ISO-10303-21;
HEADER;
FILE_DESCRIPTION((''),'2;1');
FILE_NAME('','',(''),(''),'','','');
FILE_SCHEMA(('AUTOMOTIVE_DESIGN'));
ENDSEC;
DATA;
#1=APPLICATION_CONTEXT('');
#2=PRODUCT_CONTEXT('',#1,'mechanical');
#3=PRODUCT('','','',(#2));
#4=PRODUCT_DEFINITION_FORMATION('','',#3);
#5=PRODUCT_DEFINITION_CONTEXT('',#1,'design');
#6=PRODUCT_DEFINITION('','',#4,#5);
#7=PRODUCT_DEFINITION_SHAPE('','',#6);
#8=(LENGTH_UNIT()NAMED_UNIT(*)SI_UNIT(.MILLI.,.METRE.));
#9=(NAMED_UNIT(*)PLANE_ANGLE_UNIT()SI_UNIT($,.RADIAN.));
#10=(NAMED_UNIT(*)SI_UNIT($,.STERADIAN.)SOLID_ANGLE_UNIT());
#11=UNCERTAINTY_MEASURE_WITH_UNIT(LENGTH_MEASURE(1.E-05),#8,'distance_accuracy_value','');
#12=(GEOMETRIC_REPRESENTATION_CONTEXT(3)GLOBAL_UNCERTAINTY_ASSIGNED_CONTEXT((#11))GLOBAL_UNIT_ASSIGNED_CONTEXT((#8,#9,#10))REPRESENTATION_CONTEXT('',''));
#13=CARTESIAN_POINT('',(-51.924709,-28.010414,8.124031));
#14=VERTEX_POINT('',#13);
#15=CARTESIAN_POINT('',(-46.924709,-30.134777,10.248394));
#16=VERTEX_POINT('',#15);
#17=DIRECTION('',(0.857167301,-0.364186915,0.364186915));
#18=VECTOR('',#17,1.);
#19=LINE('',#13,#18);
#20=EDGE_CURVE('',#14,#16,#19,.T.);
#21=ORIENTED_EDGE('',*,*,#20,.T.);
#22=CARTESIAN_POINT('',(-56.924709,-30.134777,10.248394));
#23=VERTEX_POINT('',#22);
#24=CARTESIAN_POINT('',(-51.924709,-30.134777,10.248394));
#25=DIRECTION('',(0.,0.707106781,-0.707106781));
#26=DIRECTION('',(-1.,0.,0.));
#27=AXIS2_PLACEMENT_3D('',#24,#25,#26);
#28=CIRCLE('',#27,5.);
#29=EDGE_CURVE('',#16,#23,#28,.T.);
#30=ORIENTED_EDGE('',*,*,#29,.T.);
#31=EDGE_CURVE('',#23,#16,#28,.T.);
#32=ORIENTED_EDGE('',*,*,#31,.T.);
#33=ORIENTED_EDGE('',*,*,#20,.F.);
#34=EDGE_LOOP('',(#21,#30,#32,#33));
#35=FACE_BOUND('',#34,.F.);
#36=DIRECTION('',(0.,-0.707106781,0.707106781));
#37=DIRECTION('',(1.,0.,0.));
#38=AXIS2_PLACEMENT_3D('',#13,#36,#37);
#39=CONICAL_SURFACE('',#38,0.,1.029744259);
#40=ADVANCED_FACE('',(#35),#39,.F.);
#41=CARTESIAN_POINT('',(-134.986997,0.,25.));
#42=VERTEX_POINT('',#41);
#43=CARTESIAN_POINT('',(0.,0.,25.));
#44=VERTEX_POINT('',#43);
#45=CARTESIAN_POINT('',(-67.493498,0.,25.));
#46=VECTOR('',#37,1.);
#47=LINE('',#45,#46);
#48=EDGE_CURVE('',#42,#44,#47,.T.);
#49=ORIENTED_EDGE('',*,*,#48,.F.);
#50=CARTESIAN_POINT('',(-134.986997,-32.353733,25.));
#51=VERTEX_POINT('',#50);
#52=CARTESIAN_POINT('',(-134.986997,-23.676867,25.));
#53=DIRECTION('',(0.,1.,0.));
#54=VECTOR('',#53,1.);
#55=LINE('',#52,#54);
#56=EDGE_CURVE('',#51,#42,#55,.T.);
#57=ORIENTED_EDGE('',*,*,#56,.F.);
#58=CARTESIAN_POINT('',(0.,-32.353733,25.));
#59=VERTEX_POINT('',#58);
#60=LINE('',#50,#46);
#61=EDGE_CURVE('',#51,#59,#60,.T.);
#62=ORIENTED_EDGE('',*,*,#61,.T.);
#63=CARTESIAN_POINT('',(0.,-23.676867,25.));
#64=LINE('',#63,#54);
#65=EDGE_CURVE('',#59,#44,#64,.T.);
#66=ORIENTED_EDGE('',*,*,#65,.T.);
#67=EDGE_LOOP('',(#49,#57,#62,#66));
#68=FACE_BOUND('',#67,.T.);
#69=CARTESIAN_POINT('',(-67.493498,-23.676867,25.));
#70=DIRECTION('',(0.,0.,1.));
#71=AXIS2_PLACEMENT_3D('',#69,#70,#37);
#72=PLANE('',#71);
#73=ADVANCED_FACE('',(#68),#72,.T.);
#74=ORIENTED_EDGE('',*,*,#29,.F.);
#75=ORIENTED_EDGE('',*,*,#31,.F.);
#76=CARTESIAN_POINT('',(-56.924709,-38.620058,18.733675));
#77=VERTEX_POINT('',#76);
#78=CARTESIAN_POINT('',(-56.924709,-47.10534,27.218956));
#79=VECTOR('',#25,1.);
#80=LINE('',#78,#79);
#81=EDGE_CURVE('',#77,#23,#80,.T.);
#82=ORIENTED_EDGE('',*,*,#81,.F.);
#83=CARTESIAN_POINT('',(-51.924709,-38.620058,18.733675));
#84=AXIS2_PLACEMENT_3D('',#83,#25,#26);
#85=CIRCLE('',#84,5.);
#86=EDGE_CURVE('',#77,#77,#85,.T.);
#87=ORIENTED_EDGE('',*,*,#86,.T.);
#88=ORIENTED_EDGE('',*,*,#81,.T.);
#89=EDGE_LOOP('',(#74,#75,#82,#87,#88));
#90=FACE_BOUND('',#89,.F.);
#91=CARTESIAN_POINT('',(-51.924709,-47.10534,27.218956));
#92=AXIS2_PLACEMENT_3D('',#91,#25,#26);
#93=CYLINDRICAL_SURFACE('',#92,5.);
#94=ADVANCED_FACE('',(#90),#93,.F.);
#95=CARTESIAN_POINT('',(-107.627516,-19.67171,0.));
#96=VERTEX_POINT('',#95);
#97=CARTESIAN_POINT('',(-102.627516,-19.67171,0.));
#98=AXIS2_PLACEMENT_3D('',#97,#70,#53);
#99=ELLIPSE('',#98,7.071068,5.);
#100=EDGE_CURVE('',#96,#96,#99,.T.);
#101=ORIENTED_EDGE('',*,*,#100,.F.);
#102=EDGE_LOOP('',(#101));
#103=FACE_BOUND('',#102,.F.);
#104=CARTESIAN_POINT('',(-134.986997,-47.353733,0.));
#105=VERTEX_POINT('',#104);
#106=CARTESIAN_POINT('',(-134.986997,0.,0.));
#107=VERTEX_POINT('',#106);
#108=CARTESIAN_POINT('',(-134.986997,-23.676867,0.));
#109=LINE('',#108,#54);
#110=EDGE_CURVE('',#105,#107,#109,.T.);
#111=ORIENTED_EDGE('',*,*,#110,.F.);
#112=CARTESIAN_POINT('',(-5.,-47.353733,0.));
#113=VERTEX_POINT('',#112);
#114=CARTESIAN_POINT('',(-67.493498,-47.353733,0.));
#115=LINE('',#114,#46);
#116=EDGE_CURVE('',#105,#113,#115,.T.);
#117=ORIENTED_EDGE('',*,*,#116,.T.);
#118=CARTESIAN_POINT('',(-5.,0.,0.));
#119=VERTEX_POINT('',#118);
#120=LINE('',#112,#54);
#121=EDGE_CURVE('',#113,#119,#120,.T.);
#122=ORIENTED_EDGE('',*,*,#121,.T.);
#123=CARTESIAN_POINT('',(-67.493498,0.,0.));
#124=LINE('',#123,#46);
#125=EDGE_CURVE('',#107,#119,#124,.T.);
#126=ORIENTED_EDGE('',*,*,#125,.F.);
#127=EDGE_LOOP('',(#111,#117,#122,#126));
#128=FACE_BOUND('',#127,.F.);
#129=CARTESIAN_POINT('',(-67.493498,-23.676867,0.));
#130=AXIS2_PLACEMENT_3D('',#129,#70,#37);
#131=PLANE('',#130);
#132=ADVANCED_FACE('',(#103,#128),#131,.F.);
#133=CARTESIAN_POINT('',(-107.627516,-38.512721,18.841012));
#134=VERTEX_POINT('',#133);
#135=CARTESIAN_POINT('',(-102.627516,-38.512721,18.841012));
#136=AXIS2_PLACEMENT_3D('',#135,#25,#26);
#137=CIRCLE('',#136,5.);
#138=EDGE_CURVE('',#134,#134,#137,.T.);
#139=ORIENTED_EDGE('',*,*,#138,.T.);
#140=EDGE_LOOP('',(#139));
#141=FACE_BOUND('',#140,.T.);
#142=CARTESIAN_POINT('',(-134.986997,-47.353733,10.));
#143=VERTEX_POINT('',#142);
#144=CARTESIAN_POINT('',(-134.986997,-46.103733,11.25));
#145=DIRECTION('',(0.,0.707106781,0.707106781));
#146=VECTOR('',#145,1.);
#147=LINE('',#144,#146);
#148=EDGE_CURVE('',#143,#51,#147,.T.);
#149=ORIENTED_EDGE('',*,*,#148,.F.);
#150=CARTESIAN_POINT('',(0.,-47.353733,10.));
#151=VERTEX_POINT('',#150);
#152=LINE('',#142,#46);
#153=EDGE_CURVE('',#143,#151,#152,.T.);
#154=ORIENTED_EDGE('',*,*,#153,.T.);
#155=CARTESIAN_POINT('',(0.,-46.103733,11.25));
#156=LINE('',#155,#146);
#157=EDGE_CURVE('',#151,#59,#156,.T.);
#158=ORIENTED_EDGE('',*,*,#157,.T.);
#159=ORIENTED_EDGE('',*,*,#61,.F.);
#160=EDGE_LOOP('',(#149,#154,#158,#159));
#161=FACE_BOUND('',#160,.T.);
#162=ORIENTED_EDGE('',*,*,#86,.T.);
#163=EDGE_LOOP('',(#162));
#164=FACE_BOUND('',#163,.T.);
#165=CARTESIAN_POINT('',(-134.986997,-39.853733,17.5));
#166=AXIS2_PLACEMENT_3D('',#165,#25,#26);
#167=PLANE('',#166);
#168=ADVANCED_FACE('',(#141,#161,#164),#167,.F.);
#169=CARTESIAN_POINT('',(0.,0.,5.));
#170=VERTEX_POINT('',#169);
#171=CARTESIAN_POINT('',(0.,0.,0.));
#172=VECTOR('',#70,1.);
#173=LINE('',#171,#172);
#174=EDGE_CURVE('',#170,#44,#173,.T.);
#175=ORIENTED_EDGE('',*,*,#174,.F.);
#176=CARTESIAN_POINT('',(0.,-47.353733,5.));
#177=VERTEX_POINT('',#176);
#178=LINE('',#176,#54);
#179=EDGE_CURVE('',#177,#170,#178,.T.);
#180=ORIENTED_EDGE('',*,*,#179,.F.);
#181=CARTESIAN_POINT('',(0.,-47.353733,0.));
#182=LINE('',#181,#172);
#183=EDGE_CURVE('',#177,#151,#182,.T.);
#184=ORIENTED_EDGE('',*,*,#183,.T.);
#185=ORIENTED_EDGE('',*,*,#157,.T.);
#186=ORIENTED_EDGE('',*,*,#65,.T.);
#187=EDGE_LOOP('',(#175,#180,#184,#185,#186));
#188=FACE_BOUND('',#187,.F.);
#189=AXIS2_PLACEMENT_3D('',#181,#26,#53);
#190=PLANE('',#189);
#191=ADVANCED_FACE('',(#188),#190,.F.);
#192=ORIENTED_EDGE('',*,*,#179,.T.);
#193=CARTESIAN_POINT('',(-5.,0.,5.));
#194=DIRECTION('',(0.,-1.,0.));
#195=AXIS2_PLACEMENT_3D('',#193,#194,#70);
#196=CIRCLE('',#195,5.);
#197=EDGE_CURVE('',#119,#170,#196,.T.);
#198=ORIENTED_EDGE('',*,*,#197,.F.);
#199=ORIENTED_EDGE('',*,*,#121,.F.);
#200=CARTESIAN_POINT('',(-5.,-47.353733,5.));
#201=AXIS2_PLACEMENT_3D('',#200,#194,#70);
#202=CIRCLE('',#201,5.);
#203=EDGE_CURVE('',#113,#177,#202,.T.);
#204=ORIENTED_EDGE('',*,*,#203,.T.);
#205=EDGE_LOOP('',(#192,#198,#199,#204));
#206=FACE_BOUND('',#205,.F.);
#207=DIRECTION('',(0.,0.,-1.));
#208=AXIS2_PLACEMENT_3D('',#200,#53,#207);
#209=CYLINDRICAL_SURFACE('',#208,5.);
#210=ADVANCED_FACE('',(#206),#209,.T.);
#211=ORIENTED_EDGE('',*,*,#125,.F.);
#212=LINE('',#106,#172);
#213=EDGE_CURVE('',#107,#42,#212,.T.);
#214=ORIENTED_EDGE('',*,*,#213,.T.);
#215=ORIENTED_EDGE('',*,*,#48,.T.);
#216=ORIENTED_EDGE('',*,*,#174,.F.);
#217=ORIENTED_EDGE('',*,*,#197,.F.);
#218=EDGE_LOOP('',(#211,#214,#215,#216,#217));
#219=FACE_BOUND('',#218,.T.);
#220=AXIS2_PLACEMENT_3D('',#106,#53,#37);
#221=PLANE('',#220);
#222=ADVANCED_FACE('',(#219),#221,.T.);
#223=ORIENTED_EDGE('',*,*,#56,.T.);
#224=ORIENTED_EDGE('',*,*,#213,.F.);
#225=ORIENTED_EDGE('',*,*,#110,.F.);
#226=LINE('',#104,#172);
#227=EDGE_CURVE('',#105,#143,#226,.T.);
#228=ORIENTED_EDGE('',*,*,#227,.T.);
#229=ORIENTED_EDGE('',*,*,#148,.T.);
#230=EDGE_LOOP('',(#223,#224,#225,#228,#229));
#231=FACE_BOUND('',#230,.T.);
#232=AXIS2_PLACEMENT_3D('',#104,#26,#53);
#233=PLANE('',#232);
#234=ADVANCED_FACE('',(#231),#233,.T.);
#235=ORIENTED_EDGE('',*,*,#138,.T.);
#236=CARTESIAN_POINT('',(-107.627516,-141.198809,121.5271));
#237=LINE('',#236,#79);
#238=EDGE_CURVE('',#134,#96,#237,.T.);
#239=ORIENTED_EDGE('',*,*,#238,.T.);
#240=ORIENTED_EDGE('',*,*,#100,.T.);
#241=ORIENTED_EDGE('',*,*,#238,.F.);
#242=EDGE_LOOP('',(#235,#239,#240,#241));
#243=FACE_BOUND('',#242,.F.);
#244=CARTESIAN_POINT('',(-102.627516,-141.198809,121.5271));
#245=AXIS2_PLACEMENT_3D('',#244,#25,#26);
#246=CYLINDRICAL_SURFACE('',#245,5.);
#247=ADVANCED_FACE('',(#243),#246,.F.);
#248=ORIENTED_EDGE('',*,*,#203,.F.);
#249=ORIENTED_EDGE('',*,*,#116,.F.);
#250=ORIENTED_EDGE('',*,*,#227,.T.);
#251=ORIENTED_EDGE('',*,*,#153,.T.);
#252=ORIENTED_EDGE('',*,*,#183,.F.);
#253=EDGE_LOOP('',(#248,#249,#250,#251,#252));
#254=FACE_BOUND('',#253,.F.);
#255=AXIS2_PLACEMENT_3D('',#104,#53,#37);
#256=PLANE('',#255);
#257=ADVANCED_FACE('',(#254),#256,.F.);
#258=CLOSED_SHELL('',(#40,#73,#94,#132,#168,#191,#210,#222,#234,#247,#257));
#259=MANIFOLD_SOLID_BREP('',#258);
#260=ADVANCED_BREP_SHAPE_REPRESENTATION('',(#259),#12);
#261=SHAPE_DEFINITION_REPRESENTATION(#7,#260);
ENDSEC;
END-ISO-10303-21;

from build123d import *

# Parameters (mm, degrees)
F0_W     = 134.9869966507
F0_H     = 47.353733331
F1_DEPTH = 25
F2_SIZE  = 15
F5_D     = 10
F6_D     = 10
F6_DEPTH = 12
F6_TIP   = 3.0043030951
F7_R     = 5


with BuildPart() as f1:
    # F0 (on Top) → F1 (new body)
    with BuildSketch(Plane.XY):
        with Locations((-67.4934983253, -23.6768666655)):
            Rectangle(F0_W, F0_H)
    extrude(amount=F1_DEPTH)

    # F2
    f2_edges = [f1.edges().sort_by_distance(p)[0] for p in [
        (-67.493498, -47.353733, 25),
    ]]
    chamfer(f2_edges, length=F2_SIZE)

    # F5 (through all)
    with Locations(Plane(origin=(0, -28.6768666655, 28.6768666655), x_dir=(1, 0, 0), z_dir=(0, -0.7071067812, 0.7071067812))):
        with Locations((-102.6275157928, -13.9099992812)):
            Hole(F5_D / 2)

    # F6
    with Locations(Plane(origin=(0, -28.6768666655, 28.6768666655), x_dir=(1, 0, 0), z_dir=(0, -0.7071067812, 0.7071067812))):
        with Locations((-51.9247092307, -14.0617964789)):
            Hole(F6_D / 2, depth=F6_DEPTH)
            with Locations((0, 0, -(F6_DEPTH + F6_TIP / 2))):  # 118° drill point
                Cone(0, F6_D / 2, F6_TIP, mode=Mode.SUBTRACT)

    # F7
    f7_edges = [f1.edges().sort_by_distance(p)[0] for p in [
        (0, -23.676867, 0),
    ]]
    fillet(f7_edges, radius=F7_R)


solid = f1.part
